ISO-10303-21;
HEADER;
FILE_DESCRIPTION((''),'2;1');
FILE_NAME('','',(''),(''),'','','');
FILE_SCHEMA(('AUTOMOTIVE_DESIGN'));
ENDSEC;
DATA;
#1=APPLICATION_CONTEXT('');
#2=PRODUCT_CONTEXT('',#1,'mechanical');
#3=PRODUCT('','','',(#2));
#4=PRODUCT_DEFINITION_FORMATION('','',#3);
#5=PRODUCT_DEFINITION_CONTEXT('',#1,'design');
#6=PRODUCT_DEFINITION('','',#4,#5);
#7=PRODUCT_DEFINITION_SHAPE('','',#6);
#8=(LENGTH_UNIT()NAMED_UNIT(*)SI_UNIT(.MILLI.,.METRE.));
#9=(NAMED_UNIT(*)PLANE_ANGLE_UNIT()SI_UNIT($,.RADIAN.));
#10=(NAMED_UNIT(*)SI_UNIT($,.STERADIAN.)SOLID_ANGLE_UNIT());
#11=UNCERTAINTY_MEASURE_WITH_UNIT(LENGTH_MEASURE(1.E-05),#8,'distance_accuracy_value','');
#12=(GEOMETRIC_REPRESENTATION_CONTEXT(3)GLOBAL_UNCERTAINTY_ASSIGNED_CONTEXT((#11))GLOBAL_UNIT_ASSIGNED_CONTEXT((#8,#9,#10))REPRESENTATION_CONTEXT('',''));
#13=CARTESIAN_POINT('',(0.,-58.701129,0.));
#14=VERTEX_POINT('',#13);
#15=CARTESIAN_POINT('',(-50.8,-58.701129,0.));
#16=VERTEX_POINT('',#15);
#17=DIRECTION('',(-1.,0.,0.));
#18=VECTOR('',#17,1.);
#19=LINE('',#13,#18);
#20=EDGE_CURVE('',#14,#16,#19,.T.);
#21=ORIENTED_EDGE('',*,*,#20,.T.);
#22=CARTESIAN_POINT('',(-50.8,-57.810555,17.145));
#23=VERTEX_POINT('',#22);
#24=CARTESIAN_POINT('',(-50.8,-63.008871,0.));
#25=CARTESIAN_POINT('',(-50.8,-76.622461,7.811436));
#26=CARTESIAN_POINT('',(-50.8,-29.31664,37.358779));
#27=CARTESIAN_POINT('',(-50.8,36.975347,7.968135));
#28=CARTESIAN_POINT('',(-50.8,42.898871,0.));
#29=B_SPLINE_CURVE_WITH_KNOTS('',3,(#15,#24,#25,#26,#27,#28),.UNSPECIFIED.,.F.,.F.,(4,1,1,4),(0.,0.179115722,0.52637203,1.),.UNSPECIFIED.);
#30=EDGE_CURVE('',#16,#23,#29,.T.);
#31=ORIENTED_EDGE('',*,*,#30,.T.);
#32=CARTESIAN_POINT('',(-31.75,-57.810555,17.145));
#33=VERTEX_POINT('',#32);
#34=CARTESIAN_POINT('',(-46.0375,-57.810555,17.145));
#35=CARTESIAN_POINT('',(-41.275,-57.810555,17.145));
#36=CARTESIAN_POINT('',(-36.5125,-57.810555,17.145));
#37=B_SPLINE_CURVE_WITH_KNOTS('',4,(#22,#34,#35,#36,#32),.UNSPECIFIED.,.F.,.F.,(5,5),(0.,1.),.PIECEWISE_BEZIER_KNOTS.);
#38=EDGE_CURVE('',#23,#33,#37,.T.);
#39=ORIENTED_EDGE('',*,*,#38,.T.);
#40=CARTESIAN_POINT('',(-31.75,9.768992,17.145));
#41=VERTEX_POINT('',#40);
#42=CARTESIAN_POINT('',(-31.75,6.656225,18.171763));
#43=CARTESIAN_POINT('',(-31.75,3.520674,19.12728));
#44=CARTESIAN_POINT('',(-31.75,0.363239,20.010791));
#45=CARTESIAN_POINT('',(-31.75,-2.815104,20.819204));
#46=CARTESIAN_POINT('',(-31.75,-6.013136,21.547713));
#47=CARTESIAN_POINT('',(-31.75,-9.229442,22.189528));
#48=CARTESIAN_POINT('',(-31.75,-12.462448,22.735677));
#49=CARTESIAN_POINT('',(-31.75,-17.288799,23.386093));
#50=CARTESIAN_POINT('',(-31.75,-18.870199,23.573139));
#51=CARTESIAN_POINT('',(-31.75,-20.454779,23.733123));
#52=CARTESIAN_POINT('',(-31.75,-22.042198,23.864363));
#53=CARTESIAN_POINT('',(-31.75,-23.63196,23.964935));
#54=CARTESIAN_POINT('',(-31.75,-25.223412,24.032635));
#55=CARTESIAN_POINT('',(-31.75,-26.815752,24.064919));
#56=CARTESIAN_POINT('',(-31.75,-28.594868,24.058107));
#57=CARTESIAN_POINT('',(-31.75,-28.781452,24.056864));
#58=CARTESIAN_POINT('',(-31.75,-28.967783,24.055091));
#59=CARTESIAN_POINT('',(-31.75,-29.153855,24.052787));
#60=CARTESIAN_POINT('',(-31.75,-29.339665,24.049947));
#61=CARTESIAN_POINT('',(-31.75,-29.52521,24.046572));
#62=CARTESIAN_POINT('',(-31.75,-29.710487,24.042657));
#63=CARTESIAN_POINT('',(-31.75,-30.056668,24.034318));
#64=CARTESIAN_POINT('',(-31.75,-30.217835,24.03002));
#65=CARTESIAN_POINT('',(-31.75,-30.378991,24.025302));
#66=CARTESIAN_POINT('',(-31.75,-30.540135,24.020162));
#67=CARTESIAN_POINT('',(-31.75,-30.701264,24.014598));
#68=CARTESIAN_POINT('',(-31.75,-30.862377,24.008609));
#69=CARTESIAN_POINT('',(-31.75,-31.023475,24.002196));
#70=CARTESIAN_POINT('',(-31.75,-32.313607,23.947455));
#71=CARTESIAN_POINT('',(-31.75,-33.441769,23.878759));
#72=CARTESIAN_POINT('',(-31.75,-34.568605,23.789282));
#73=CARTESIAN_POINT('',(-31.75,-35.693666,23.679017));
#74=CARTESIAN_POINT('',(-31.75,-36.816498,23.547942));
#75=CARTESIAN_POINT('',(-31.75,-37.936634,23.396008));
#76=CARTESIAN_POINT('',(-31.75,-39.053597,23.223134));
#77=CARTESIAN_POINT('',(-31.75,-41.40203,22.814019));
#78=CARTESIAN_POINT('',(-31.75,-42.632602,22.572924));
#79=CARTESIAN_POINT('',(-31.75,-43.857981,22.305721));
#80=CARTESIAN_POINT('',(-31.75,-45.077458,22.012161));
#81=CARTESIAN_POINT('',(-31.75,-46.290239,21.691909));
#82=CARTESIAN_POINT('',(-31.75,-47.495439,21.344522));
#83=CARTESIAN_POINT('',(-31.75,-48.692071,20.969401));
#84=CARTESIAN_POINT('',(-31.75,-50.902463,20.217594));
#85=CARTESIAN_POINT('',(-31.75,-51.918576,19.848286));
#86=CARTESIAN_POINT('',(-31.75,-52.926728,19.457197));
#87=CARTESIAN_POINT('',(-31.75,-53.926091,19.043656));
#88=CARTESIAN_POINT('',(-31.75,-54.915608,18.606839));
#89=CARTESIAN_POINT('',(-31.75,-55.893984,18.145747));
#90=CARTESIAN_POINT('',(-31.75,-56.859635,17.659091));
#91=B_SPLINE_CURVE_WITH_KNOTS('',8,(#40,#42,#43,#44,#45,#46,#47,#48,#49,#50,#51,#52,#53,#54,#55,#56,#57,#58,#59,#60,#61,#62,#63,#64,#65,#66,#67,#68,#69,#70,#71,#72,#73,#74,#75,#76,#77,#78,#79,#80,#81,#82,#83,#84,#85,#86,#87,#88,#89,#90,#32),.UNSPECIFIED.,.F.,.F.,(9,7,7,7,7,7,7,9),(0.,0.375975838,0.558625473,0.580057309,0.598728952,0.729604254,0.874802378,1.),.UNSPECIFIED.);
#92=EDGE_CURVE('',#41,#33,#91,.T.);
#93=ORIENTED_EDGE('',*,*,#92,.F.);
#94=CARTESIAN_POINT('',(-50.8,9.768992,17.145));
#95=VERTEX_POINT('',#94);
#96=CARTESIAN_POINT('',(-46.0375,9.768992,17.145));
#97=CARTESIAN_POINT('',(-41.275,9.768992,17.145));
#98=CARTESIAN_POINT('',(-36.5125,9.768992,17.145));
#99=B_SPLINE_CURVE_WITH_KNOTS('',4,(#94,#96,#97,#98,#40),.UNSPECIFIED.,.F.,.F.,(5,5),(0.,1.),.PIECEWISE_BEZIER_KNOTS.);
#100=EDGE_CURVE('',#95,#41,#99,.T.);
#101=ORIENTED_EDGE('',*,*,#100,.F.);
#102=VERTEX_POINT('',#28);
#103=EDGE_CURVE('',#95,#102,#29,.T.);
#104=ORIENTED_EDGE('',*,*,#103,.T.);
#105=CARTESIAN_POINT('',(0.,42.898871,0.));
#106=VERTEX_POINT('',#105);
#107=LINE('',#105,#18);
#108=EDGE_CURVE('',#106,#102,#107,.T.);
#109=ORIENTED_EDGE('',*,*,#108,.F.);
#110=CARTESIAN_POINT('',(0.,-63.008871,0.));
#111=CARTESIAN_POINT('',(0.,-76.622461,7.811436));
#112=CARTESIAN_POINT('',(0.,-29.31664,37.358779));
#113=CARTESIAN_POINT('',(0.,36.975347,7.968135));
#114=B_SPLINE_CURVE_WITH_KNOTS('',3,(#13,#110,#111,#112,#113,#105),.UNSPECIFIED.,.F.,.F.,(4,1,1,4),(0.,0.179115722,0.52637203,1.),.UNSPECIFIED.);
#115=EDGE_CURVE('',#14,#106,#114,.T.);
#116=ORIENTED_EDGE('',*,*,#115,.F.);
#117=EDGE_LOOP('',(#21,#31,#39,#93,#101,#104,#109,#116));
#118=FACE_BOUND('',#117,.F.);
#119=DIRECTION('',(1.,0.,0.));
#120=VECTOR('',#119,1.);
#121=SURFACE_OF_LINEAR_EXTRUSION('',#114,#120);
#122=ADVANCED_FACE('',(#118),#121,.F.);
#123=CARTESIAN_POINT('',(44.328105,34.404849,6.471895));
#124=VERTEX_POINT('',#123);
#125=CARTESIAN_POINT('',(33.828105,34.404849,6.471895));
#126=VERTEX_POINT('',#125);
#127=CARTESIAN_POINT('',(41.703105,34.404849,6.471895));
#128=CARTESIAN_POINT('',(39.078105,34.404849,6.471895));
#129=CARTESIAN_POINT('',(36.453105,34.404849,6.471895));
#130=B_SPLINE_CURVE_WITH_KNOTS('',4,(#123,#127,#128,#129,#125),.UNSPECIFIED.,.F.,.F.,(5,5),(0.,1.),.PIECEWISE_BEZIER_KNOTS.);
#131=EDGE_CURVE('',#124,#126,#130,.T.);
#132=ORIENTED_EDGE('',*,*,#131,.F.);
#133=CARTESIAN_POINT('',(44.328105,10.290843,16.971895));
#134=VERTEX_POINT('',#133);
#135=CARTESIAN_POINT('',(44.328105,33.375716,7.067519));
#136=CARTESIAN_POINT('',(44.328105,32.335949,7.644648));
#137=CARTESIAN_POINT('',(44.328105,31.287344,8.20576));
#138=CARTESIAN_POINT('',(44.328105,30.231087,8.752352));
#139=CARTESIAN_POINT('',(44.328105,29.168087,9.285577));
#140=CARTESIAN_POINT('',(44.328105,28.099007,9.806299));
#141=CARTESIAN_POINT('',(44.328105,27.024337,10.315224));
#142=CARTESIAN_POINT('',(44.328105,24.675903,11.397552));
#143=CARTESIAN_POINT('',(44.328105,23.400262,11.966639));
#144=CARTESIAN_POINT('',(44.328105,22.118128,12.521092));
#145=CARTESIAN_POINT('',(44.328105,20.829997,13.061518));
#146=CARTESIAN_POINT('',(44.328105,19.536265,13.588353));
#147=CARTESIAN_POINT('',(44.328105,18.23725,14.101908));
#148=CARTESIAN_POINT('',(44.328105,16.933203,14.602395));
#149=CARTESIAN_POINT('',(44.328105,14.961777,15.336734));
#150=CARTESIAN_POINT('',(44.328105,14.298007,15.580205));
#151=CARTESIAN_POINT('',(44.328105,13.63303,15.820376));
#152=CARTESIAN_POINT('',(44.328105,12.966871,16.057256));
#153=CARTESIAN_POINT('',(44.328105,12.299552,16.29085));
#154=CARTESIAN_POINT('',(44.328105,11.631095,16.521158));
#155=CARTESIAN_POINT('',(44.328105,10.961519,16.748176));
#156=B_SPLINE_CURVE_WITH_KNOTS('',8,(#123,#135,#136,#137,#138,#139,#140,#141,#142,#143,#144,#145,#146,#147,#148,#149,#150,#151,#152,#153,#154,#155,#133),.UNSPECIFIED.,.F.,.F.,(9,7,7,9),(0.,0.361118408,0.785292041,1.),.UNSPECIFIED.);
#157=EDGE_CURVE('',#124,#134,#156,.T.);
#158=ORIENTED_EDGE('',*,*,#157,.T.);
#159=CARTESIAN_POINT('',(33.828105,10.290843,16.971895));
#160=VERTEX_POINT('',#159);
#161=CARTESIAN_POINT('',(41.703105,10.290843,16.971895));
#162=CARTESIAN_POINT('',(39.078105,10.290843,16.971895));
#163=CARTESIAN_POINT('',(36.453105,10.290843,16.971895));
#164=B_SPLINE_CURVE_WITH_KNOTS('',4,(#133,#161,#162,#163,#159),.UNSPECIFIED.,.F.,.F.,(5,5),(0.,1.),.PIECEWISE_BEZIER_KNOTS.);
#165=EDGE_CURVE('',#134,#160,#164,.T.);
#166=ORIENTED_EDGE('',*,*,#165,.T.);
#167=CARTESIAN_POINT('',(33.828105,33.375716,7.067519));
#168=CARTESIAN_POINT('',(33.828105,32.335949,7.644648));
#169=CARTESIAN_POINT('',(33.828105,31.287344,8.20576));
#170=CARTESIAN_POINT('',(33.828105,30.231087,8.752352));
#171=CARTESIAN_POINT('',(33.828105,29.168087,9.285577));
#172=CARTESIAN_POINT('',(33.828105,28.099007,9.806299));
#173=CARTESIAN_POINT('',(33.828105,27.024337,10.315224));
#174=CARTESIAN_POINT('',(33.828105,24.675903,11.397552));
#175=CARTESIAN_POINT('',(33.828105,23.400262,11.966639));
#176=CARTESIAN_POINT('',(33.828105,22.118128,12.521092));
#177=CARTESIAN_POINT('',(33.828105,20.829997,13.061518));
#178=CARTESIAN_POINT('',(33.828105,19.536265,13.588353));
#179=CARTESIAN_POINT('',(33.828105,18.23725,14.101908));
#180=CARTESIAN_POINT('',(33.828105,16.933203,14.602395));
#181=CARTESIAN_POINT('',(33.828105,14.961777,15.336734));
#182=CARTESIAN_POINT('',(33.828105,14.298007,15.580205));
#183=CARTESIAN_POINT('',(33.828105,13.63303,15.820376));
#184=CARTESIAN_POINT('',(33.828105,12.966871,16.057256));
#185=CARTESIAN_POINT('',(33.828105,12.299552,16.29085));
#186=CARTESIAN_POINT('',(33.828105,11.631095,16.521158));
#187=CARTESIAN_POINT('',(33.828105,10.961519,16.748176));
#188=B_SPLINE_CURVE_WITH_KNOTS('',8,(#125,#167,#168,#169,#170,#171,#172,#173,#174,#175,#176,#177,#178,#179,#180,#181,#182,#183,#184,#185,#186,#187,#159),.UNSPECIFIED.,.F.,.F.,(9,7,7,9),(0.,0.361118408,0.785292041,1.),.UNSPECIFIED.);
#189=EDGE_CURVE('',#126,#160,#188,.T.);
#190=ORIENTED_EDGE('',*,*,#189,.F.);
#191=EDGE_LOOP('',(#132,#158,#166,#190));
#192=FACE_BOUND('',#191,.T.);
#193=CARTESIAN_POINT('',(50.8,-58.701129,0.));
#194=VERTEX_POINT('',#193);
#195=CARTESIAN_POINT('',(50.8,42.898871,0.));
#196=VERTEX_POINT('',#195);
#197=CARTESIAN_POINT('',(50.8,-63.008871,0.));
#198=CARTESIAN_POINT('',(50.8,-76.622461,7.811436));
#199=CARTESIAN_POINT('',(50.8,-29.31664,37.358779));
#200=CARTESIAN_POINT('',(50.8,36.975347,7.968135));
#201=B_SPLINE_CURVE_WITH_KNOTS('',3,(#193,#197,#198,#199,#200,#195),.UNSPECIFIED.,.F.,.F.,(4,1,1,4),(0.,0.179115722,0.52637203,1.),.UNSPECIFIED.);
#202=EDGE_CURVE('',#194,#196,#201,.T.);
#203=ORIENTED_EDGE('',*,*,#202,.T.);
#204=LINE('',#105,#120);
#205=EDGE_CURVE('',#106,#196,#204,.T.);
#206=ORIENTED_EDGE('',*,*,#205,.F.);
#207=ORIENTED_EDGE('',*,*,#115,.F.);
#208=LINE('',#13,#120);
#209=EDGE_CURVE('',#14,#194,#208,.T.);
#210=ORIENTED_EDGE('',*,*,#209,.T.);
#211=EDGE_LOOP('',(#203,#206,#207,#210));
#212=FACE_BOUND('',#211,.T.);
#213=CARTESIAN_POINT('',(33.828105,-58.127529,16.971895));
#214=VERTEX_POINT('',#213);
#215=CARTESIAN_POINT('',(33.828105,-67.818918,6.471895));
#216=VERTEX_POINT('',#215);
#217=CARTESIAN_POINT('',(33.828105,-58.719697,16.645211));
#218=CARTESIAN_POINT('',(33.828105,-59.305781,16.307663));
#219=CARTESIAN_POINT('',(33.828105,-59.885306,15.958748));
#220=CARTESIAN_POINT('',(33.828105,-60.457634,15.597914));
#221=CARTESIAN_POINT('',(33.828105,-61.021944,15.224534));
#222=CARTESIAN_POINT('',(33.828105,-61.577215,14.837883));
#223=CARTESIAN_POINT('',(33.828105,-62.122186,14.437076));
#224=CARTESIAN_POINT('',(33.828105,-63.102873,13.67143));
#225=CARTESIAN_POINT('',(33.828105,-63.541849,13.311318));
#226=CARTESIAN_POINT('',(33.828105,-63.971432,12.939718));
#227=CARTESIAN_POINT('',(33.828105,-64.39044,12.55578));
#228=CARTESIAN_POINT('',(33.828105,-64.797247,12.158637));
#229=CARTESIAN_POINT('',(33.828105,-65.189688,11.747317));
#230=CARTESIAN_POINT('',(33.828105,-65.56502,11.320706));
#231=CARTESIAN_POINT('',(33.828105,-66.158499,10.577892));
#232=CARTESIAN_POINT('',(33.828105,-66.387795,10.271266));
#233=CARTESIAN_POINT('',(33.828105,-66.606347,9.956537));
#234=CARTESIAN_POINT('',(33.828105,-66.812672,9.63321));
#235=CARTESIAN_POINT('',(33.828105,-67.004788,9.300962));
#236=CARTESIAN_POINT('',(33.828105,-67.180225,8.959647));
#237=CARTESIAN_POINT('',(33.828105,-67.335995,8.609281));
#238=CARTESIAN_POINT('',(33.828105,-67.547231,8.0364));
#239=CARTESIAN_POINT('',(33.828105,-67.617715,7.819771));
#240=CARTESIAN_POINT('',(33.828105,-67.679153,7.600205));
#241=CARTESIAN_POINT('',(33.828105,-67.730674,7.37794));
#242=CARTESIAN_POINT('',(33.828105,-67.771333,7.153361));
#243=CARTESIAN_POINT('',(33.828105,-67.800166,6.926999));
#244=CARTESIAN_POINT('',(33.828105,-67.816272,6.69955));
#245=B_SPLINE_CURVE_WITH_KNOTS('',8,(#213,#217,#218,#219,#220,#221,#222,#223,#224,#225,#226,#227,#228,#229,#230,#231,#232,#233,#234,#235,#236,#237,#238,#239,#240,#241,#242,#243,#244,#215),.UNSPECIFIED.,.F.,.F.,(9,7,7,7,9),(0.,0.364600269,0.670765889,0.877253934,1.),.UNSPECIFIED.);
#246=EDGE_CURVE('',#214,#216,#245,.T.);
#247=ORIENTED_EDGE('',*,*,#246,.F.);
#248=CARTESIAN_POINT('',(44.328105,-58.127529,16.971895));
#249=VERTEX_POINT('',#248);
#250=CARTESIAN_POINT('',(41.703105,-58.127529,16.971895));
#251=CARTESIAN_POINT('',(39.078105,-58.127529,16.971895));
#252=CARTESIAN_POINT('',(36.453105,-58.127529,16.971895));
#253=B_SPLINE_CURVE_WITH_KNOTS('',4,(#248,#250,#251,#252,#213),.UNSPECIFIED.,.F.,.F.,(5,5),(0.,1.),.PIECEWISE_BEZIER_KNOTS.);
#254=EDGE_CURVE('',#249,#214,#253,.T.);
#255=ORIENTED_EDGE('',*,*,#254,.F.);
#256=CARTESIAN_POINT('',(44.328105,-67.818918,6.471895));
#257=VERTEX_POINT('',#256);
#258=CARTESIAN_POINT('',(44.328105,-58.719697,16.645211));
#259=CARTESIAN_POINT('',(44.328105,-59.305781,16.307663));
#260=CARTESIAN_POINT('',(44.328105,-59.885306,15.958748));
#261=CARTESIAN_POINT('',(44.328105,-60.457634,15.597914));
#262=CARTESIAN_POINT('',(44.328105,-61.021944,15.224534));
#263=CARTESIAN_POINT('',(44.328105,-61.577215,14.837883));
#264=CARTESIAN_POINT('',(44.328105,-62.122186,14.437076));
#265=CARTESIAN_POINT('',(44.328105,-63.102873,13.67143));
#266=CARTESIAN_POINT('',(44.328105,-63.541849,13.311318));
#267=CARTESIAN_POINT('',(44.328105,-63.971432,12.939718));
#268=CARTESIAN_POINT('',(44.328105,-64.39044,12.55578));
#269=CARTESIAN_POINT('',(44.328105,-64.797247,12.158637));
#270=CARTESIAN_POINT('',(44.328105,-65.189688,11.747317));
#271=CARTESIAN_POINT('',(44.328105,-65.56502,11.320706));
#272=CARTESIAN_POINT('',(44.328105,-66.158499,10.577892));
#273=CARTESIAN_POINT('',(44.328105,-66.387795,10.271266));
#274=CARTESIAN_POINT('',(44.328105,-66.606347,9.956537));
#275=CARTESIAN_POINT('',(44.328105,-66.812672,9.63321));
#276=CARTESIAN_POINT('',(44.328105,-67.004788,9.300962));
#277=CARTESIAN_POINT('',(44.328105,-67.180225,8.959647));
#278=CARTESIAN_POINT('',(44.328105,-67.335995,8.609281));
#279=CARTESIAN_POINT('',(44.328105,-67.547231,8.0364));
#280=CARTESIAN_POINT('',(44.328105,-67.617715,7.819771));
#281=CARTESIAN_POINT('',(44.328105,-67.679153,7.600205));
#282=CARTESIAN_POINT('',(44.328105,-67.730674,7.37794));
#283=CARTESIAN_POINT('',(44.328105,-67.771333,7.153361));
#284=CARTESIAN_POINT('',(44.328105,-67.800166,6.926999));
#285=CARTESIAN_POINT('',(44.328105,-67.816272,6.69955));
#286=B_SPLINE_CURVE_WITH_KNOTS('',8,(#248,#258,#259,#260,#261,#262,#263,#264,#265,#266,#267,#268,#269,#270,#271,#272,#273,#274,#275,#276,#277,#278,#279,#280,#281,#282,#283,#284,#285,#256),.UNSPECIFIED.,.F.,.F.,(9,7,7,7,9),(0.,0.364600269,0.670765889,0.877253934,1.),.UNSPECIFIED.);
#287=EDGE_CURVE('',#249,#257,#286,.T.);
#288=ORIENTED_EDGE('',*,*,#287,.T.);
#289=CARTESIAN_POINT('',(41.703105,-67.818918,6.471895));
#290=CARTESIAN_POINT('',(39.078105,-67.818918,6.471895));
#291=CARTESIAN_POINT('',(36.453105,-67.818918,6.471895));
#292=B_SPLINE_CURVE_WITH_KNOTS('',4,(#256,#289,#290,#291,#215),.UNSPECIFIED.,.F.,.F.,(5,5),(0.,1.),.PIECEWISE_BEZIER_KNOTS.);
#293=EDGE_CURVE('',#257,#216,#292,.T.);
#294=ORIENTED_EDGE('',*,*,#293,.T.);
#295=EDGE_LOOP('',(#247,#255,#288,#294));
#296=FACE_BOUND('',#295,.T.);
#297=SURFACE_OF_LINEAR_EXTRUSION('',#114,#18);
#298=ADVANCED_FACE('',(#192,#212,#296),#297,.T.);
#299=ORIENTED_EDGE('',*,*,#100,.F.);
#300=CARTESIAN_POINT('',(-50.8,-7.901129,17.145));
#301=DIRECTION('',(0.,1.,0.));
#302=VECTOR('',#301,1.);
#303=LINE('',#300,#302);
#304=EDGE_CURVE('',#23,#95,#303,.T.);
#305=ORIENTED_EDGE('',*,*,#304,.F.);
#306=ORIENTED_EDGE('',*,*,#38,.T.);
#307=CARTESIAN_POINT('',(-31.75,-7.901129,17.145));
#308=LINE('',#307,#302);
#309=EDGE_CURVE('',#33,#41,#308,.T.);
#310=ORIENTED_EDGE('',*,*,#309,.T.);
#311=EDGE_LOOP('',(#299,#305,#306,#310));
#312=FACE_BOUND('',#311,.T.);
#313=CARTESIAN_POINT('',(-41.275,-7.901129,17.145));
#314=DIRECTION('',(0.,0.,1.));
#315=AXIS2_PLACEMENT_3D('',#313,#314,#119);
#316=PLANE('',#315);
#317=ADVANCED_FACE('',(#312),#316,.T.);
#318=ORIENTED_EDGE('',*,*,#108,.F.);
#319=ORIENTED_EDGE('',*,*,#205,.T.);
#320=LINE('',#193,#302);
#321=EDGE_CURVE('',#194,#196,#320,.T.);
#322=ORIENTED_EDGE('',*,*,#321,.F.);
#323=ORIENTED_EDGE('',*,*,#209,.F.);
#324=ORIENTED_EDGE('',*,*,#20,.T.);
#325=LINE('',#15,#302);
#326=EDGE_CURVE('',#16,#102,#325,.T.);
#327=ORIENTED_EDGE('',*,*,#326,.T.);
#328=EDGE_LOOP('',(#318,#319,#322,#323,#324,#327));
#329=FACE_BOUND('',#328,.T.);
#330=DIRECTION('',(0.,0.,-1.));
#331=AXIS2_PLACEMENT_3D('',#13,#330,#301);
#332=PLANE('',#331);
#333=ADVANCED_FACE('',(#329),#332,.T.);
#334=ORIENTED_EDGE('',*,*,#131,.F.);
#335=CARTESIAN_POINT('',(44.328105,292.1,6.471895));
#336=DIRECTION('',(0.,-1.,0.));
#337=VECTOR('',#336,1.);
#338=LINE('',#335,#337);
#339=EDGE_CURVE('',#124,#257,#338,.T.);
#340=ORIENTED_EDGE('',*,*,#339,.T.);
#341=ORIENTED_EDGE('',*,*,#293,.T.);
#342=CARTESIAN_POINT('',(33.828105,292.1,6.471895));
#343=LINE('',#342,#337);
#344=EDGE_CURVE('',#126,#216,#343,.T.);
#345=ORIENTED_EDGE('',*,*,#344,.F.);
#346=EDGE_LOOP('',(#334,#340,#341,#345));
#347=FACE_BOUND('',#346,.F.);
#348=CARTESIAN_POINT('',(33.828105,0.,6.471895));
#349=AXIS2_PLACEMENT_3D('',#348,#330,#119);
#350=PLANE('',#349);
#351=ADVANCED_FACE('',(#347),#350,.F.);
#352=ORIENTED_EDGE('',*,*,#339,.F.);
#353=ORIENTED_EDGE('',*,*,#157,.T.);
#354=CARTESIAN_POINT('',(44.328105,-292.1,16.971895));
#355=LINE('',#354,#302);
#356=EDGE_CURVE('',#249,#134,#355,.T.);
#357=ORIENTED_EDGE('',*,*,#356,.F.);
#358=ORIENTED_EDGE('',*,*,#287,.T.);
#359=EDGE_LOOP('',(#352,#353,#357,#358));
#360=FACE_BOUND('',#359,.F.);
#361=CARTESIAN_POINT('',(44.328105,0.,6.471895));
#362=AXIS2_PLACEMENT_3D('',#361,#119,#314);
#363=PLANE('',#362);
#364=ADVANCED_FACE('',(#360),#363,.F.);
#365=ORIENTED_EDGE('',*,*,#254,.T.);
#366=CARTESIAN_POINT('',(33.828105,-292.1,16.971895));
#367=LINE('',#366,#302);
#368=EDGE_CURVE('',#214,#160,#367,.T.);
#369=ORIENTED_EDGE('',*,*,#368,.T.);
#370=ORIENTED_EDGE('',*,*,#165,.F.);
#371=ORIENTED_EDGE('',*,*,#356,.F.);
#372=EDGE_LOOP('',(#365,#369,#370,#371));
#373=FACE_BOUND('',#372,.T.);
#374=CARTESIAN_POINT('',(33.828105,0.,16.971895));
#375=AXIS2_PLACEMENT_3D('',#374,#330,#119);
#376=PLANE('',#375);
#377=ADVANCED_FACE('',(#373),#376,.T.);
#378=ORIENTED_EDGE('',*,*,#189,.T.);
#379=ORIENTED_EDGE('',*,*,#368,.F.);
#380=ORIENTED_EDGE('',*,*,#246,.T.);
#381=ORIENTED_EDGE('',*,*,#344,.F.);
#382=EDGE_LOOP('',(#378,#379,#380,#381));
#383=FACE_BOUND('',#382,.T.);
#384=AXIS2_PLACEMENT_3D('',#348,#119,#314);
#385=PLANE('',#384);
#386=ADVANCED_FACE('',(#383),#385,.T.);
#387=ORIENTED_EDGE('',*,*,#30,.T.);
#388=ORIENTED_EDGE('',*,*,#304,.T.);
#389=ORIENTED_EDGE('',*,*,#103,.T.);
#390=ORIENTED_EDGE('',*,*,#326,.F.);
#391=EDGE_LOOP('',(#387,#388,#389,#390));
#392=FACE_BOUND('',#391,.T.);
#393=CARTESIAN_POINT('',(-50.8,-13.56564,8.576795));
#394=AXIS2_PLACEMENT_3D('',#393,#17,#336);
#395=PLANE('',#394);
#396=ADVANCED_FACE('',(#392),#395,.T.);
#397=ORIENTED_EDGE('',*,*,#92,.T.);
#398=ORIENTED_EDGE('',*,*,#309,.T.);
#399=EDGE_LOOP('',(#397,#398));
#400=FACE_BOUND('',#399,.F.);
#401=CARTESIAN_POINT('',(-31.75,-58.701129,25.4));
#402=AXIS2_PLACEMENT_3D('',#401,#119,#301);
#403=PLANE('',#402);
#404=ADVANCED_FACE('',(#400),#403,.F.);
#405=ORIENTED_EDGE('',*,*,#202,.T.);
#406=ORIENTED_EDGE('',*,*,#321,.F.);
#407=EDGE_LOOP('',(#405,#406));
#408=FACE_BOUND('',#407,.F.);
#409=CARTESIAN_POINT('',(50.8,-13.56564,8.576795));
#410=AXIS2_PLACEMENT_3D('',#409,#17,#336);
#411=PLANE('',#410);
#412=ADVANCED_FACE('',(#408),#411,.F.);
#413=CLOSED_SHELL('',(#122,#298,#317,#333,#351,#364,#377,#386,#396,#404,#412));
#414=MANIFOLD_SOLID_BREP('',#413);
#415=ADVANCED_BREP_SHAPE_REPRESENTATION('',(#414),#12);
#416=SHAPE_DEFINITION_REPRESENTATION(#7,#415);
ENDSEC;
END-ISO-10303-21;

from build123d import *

# Parameters (mm, degrees)
F1_DEPTH = 50.8
F2_W     = 10.5
F2_H     = 10.5
F3_DEPTH = 292.1
F5_W     = 19.05
F5_H     = 101.6
F6_DEPTH = 8.255


with BuildPart() as f1:
    # F0 (on Right) → F1 (new body, symmetric)
    with BuildSketch(Plane.YZ):
        with BuildLine():
            add(Edge.make_bspline(
                [(-58.7011294477, 0), (-63.0088709792, 0), (-76.6224606235, 7.8114364795), (-29.3166396484, 37.358778601), (36.9753469676, 7.968135282), (42.8988705523, 0)],
                knots=[0, 0, 0, 0, 0.1791157224, 0.5263720297, 1, 1, 1, 1], degree=3))
            Line((-58.7011294477, 0), (42.8988705523, 0))
        make_face()
    extrude(amount=F1_DEPTH, both=True)

    # F2 (on Front) → F3 (cut, symmetric)
    with BuildSketch(Plane.XZ):
        with Locations((39.0781049237, 11.7218950763)):
            Rectangle(F2_W, F2_H)
    extrude(amount=F3_DEPTH, both=True, mode=Mode.SUBTRACT)

    # F5 (on offset) → F6 (cut)
    with BuildSketch(Plane.XY.offset(25.4)):
        with Locations((-41.275, -7.9011294477)):
            Rectangle(F5_W, F5_H)
    extrude(amount=-F6_DEPTH, mode=Mode.SUBTRACT)


solid = f1.part
